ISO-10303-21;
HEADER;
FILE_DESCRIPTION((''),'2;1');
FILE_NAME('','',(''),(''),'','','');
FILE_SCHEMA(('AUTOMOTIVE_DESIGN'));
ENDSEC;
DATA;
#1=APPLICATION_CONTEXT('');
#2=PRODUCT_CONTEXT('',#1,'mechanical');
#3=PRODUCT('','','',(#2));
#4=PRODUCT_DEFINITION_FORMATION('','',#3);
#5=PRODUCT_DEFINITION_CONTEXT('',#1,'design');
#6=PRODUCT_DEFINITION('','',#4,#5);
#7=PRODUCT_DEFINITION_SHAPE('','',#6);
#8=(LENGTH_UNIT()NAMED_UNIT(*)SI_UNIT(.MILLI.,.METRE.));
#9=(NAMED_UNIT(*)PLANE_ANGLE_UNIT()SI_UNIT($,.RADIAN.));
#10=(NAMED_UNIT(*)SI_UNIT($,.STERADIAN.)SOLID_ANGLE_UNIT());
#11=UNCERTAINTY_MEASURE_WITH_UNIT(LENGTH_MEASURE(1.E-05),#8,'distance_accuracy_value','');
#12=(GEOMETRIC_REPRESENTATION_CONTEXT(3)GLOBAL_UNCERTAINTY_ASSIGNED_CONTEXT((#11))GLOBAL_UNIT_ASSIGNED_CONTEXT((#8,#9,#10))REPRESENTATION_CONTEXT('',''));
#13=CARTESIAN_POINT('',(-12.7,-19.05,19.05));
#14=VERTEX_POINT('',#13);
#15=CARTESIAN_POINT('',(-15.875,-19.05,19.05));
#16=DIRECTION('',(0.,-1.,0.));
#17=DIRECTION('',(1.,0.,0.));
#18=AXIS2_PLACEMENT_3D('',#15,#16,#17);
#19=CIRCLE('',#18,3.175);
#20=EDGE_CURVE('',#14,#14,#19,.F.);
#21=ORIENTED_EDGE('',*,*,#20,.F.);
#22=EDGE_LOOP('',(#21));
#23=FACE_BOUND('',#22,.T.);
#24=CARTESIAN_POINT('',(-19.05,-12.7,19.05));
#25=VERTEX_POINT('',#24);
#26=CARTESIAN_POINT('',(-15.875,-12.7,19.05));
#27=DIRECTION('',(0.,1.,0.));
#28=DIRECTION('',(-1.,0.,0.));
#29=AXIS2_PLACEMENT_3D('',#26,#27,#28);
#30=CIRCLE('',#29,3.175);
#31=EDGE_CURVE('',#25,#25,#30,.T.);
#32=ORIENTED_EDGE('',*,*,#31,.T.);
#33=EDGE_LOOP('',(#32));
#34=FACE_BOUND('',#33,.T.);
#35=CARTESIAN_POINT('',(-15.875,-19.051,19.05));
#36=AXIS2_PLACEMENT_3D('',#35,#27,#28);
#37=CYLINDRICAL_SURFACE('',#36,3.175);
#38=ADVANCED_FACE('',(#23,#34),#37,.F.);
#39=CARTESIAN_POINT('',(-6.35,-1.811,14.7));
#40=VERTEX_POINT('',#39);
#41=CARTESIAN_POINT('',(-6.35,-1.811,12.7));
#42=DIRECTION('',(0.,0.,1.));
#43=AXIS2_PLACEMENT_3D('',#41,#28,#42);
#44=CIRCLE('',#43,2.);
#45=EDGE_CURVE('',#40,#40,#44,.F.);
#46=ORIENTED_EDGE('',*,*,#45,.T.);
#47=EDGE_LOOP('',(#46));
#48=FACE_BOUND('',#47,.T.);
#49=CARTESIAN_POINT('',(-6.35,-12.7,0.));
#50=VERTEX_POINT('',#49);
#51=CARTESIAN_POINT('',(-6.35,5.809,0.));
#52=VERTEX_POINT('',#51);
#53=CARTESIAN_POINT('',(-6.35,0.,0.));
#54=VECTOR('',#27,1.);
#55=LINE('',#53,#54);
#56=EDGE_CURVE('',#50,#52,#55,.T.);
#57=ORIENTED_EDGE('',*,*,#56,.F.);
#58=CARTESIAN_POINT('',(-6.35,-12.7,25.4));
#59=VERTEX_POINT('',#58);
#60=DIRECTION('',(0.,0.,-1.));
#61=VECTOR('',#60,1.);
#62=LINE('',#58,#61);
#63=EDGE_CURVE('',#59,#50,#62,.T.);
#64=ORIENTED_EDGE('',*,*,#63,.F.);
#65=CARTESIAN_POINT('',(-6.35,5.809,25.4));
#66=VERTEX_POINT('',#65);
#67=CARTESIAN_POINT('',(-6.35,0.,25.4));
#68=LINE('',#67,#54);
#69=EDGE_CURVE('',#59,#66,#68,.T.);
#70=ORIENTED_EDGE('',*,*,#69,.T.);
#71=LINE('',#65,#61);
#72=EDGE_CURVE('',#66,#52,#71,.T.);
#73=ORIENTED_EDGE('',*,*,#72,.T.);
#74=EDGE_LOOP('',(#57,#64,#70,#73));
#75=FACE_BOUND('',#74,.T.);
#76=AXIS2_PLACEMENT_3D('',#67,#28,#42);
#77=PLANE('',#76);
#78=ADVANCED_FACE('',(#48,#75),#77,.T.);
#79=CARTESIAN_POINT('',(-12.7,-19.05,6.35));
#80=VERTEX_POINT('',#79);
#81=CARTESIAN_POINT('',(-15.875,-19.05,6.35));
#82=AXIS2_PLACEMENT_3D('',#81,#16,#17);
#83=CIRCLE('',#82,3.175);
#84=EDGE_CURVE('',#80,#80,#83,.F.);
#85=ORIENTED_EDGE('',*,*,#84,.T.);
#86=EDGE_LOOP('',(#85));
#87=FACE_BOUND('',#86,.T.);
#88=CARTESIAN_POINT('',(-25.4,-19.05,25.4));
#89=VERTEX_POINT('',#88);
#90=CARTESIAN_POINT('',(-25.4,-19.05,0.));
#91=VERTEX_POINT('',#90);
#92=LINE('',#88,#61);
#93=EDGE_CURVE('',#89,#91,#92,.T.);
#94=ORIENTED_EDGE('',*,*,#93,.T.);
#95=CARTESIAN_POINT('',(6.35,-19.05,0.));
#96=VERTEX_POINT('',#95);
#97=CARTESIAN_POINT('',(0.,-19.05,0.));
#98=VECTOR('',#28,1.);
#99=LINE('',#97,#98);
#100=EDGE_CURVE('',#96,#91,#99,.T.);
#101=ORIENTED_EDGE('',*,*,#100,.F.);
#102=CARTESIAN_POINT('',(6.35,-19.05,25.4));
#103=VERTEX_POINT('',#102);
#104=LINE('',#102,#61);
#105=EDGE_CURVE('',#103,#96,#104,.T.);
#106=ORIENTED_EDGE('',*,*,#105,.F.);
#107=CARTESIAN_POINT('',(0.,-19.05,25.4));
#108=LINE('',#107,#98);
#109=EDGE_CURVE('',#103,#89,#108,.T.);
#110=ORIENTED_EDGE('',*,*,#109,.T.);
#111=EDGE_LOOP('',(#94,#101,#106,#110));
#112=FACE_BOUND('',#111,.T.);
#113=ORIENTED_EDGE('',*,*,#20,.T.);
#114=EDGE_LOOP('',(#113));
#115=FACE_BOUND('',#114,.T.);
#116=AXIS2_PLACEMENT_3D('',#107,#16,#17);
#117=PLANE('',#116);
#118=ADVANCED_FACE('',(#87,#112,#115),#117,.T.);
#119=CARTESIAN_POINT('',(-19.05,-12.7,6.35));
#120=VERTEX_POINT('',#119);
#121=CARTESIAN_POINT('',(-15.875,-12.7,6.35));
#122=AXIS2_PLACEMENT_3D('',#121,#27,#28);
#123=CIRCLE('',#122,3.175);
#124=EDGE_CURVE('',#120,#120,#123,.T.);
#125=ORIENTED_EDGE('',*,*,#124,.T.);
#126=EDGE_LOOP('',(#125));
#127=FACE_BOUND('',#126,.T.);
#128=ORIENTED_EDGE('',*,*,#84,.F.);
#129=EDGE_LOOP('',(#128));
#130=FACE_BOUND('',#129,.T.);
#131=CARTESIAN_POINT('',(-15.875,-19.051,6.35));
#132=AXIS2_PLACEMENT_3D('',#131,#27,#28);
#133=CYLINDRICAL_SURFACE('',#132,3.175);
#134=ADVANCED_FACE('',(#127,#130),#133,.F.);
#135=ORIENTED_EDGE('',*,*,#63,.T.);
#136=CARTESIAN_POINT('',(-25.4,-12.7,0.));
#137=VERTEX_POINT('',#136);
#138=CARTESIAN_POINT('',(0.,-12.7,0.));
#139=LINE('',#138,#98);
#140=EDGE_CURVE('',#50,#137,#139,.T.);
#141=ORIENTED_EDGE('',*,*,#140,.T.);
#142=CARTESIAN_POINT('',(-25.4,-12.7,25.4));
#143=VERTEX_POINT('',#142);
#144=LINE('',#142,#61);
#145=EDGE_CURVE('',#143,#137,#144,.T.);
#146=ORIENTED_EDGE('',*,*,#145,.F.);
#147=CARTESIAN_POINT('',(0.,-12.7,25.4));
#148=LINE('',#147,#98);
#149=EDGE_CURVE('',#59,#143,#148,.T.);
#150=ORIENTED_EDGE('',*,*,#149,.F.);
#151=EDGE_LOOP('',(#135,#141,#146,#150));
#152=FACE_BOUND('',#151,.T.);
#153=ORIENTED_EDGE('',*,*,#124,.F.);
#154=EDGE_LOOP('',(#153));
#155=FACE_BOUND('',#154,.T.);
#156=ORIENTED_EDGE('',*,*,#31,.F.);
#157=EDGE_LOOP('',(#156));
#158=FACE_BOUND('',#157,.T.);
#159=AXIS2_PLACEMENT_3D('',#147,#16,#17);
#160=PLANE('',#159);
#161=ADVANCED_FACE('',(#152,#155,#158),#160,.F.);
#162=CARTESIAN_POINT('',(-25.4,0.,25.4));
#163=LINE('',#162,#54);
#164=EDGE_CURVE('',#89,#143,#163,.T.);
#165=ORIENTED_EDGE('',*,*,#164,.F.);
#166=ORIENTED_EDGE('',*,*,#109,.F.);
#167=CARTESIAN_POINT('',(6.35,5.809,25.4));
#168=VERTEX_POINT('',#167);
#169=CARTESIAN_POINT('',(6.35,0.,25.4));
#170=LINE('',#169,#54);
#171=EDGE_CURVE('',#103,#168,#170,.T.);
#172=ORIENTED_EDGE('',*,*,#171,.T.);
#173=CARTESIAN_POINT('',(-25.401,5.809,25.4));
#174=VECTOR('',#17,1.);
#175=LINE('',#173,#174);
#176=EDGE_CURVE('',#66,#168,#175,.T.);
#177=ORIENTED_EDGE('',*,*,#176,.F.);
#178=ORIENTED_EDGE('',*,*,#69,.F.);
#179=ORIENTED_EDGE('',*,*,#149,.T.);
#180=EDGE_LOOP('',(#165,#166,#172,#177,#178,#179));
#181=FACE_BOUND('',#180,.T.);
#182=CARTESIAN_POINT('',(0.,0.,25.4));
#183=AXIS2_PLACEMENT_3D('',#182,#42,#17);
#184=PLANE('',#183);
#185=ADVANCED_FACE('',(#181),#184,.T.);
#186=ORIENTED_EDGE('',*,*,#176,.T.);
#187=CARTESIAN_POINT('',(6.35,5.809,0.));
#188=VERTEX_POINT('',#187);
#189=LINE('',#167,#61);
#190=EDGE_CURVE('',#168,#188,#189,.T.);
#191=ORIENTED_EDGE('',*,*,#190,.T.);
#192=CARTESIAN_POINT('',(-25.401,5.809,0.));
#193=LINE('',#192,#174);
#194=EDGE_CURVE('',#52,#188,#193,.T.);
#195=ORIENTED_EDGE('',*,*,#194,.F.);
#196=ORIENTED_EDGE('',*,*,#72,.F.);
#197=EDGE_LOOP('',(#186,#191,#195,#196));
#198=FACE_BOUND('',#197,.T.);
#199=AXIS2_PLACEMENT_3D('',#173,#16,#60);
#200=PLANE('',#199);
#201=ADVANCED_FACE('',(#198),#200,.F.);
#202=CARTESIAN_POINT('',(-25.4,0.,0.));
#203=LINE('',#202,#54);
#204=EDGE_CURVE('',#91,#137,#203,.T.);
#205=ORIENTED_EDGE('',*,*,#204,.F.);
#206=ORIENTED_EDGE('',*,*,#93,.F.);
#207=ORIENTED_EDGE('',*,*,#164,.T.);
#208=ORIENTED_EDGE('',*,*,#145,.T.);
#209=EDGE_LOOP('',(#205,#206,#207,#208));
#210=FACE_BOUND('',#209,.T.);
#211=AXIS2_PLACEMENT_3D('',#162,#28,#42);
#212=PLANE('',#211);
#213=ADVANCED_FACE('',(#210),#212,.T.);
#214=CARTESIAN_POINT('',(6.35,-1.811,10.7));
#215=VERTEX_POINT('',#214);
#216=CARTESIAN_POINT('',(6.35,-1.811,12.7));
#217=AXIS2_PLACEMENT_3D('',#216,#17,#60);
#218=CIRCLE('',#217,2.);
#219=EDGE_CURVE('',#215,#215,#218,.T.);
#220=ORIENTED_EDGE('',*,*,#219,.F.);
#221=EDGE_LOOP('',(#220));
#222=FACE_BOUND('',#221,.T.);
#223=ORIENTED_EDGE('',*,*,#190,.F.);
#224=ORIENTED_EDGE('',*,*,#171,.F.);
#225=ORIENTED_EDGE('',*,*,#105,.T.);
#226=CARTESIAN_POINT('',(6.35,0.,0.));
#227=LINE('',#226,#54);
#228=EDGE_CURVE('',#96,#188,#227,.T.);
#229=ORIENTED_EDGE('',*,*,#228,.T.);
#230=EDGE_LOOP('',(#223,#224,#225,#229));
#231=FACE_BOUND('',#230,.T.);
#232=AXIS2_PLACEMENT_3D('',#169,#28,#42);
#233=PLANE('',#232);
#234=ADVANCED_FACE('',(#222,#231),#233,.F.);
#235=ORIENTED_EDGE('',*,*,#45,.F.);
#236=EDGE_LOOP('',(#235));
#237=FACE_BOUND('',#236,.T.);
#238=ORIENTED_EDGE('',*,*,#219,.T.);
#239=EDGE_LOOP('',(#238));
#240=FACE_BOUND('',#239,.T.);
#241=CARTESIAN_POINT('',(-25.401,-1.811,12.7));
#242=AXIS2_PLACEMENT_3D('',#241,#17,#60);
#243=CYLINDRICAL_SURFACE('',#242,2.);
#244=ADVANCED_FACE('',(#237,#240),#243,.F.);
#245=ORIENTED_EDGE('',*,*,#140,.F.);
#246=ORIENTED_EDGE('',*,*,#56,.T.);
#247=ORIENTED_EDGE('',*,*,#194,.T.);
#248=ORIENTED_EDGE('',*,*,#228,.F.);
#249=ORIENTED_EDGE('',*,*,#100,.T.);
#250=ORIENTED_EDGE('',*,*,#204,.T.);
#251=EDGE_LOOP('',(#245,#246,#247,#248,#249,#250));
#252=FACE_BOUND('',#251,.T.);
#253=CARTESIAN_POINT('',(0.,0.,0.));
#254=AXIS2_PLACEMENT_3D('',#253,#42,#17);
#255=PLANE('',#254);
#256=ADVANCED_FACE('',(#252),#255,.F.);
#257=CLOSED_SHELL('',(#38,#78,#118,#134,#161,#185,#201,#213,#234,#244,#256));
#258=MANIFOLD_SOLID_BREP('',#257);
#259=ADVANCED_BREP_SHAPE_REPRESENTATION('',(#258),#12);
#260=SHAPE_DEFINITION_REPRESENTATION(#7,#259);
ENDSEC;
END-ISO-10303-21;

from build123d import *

# Parameters (mm, degrees)
SKETCH1_W           = 19.05
SKETCH1_H           = 6.35
SKETCH1_W_2         = 12.7
SKETCH1_H_2         = 38.1
BOSS_EXTRUDE1_DEPTH = 25.4
CUT_EXTRUDE1_REACH  = 8.35
SKETCH2_R           = 3.175
CUT_EXTRUDE2_REACH  = 33.75
SKETCH3_R           = 2
CUT_EXTRUDE3_REACH  = 33.75
SKETCH4_W           = 25.4
SKETCH4_H           = 13.240999966


with BuildPart() as part:
    # Sketch1 → Boss-Extrude1 (new body)
    with BuildSketch(Plane.XY):
        with Locations((-15.875, -15.875)):
            Rectangle(SKETCH1_W, SKETCH1_H)
        Rectangle(SKETCH1_W_2, SKETCH1_H_2)
    extrude(amount=BOSS_EXTRUDE1_DEPTH)

    # Sketch2 → Cut-Extrude1 (cut, up to next)
    with BuildSketch(Plane(origin=(0, -12.7, 0), x_dir=(1, 0, 0), z_dir=(0, 1, 0)), mode=Mode.PRIVATE) as cut_extrude1_sk1:
        with Locations((-15.875, -6.35)):
            Circle(SKETCH2_R)
    cut_extrude1_tool1 = extrude(cut_extrude1_sk1.sketch, amount=-CUT_EXTRUDE1_REACH, mode=Mode.PRIVATE) & part.part
    add(cut_extrude1_tool1.solids().sort_by_distance((-15.875, -12.7, 6.35))[0], mode=Mode.SUBTRACT)
    # Sketch2 → Cut-Extrude1 (cut, up to next)
    with BuildSketch(Plane(origin=(0, -12.7, 0), x_dir=(1, 0, 0), z_dir=(0, 1, 0)), mode=Mode.PRIVATE) as cut_extrude1_sk2:
        with Locations((-15.875, -19.05)):
            Circle(SKETCH2_R)
    cut_extrude1_tool2 = extrude(cut_extrude1_sk2.sketch, amount=-CUT_EXTRUDE1_REACH, mode=Mode.PRIVATE) & part.part
    add(cut_extrude1_tool2.solids().sort_by_distance((-15.875, -12.7, 19.05))[0], mode=Mode.SUBTRACT)

    # Sketch3 → Cut-Extrude2 (cut, up to next)
    with BuildSketch(Plane(origin=(6.35, 0, 0), x_dir=(0, 0, -1), z_dir=(1, 0, 0)), mode=Mode.PRIVATE) as cut_extrude2_sk1:
        with Locations((-12.7, -1.810999966)):
            Circle(SKETCH3_R)
    cut_extrude2_tool1 = extrude(cut_extrude2_sk1.sketch, amount=-CUT_EXTRUDE2_REACH, mode=Mode.PRIVATE) & part.part
    add(cut_extrude2_tool1.solids().sort_by_distance((6.35, -1.811, 12.7))[0], mode=Mode.SUBTRACT)

    # Sketch4 → Cut-Extrude3 (cut, up to next)
    with BuildSketch(Plane(origin=(6.35, 0, 0), x_dir=(0, 0, -1), z_dir=(1, 0, 0)), mode=Mode.PRIVATE) as cut_extrude3_sk1:
        with Locations((-12.7, 12.429500017)):
            Rectangle(SKETCH4_W, SKETCH4_H)
    cut_extrude3_tool1 = extrude(cut_extrude3_sk1.sketch, amount=-CUT_EXTRUDE3_REACH, mode=Mode.PRIVATE) & part.part
    add(cut_extrude3_tool1.solids().sort_by_distance((6.35, 12.4295, 12.7))[0], mode=Mode.SUBTRACT)


solid = part.part
